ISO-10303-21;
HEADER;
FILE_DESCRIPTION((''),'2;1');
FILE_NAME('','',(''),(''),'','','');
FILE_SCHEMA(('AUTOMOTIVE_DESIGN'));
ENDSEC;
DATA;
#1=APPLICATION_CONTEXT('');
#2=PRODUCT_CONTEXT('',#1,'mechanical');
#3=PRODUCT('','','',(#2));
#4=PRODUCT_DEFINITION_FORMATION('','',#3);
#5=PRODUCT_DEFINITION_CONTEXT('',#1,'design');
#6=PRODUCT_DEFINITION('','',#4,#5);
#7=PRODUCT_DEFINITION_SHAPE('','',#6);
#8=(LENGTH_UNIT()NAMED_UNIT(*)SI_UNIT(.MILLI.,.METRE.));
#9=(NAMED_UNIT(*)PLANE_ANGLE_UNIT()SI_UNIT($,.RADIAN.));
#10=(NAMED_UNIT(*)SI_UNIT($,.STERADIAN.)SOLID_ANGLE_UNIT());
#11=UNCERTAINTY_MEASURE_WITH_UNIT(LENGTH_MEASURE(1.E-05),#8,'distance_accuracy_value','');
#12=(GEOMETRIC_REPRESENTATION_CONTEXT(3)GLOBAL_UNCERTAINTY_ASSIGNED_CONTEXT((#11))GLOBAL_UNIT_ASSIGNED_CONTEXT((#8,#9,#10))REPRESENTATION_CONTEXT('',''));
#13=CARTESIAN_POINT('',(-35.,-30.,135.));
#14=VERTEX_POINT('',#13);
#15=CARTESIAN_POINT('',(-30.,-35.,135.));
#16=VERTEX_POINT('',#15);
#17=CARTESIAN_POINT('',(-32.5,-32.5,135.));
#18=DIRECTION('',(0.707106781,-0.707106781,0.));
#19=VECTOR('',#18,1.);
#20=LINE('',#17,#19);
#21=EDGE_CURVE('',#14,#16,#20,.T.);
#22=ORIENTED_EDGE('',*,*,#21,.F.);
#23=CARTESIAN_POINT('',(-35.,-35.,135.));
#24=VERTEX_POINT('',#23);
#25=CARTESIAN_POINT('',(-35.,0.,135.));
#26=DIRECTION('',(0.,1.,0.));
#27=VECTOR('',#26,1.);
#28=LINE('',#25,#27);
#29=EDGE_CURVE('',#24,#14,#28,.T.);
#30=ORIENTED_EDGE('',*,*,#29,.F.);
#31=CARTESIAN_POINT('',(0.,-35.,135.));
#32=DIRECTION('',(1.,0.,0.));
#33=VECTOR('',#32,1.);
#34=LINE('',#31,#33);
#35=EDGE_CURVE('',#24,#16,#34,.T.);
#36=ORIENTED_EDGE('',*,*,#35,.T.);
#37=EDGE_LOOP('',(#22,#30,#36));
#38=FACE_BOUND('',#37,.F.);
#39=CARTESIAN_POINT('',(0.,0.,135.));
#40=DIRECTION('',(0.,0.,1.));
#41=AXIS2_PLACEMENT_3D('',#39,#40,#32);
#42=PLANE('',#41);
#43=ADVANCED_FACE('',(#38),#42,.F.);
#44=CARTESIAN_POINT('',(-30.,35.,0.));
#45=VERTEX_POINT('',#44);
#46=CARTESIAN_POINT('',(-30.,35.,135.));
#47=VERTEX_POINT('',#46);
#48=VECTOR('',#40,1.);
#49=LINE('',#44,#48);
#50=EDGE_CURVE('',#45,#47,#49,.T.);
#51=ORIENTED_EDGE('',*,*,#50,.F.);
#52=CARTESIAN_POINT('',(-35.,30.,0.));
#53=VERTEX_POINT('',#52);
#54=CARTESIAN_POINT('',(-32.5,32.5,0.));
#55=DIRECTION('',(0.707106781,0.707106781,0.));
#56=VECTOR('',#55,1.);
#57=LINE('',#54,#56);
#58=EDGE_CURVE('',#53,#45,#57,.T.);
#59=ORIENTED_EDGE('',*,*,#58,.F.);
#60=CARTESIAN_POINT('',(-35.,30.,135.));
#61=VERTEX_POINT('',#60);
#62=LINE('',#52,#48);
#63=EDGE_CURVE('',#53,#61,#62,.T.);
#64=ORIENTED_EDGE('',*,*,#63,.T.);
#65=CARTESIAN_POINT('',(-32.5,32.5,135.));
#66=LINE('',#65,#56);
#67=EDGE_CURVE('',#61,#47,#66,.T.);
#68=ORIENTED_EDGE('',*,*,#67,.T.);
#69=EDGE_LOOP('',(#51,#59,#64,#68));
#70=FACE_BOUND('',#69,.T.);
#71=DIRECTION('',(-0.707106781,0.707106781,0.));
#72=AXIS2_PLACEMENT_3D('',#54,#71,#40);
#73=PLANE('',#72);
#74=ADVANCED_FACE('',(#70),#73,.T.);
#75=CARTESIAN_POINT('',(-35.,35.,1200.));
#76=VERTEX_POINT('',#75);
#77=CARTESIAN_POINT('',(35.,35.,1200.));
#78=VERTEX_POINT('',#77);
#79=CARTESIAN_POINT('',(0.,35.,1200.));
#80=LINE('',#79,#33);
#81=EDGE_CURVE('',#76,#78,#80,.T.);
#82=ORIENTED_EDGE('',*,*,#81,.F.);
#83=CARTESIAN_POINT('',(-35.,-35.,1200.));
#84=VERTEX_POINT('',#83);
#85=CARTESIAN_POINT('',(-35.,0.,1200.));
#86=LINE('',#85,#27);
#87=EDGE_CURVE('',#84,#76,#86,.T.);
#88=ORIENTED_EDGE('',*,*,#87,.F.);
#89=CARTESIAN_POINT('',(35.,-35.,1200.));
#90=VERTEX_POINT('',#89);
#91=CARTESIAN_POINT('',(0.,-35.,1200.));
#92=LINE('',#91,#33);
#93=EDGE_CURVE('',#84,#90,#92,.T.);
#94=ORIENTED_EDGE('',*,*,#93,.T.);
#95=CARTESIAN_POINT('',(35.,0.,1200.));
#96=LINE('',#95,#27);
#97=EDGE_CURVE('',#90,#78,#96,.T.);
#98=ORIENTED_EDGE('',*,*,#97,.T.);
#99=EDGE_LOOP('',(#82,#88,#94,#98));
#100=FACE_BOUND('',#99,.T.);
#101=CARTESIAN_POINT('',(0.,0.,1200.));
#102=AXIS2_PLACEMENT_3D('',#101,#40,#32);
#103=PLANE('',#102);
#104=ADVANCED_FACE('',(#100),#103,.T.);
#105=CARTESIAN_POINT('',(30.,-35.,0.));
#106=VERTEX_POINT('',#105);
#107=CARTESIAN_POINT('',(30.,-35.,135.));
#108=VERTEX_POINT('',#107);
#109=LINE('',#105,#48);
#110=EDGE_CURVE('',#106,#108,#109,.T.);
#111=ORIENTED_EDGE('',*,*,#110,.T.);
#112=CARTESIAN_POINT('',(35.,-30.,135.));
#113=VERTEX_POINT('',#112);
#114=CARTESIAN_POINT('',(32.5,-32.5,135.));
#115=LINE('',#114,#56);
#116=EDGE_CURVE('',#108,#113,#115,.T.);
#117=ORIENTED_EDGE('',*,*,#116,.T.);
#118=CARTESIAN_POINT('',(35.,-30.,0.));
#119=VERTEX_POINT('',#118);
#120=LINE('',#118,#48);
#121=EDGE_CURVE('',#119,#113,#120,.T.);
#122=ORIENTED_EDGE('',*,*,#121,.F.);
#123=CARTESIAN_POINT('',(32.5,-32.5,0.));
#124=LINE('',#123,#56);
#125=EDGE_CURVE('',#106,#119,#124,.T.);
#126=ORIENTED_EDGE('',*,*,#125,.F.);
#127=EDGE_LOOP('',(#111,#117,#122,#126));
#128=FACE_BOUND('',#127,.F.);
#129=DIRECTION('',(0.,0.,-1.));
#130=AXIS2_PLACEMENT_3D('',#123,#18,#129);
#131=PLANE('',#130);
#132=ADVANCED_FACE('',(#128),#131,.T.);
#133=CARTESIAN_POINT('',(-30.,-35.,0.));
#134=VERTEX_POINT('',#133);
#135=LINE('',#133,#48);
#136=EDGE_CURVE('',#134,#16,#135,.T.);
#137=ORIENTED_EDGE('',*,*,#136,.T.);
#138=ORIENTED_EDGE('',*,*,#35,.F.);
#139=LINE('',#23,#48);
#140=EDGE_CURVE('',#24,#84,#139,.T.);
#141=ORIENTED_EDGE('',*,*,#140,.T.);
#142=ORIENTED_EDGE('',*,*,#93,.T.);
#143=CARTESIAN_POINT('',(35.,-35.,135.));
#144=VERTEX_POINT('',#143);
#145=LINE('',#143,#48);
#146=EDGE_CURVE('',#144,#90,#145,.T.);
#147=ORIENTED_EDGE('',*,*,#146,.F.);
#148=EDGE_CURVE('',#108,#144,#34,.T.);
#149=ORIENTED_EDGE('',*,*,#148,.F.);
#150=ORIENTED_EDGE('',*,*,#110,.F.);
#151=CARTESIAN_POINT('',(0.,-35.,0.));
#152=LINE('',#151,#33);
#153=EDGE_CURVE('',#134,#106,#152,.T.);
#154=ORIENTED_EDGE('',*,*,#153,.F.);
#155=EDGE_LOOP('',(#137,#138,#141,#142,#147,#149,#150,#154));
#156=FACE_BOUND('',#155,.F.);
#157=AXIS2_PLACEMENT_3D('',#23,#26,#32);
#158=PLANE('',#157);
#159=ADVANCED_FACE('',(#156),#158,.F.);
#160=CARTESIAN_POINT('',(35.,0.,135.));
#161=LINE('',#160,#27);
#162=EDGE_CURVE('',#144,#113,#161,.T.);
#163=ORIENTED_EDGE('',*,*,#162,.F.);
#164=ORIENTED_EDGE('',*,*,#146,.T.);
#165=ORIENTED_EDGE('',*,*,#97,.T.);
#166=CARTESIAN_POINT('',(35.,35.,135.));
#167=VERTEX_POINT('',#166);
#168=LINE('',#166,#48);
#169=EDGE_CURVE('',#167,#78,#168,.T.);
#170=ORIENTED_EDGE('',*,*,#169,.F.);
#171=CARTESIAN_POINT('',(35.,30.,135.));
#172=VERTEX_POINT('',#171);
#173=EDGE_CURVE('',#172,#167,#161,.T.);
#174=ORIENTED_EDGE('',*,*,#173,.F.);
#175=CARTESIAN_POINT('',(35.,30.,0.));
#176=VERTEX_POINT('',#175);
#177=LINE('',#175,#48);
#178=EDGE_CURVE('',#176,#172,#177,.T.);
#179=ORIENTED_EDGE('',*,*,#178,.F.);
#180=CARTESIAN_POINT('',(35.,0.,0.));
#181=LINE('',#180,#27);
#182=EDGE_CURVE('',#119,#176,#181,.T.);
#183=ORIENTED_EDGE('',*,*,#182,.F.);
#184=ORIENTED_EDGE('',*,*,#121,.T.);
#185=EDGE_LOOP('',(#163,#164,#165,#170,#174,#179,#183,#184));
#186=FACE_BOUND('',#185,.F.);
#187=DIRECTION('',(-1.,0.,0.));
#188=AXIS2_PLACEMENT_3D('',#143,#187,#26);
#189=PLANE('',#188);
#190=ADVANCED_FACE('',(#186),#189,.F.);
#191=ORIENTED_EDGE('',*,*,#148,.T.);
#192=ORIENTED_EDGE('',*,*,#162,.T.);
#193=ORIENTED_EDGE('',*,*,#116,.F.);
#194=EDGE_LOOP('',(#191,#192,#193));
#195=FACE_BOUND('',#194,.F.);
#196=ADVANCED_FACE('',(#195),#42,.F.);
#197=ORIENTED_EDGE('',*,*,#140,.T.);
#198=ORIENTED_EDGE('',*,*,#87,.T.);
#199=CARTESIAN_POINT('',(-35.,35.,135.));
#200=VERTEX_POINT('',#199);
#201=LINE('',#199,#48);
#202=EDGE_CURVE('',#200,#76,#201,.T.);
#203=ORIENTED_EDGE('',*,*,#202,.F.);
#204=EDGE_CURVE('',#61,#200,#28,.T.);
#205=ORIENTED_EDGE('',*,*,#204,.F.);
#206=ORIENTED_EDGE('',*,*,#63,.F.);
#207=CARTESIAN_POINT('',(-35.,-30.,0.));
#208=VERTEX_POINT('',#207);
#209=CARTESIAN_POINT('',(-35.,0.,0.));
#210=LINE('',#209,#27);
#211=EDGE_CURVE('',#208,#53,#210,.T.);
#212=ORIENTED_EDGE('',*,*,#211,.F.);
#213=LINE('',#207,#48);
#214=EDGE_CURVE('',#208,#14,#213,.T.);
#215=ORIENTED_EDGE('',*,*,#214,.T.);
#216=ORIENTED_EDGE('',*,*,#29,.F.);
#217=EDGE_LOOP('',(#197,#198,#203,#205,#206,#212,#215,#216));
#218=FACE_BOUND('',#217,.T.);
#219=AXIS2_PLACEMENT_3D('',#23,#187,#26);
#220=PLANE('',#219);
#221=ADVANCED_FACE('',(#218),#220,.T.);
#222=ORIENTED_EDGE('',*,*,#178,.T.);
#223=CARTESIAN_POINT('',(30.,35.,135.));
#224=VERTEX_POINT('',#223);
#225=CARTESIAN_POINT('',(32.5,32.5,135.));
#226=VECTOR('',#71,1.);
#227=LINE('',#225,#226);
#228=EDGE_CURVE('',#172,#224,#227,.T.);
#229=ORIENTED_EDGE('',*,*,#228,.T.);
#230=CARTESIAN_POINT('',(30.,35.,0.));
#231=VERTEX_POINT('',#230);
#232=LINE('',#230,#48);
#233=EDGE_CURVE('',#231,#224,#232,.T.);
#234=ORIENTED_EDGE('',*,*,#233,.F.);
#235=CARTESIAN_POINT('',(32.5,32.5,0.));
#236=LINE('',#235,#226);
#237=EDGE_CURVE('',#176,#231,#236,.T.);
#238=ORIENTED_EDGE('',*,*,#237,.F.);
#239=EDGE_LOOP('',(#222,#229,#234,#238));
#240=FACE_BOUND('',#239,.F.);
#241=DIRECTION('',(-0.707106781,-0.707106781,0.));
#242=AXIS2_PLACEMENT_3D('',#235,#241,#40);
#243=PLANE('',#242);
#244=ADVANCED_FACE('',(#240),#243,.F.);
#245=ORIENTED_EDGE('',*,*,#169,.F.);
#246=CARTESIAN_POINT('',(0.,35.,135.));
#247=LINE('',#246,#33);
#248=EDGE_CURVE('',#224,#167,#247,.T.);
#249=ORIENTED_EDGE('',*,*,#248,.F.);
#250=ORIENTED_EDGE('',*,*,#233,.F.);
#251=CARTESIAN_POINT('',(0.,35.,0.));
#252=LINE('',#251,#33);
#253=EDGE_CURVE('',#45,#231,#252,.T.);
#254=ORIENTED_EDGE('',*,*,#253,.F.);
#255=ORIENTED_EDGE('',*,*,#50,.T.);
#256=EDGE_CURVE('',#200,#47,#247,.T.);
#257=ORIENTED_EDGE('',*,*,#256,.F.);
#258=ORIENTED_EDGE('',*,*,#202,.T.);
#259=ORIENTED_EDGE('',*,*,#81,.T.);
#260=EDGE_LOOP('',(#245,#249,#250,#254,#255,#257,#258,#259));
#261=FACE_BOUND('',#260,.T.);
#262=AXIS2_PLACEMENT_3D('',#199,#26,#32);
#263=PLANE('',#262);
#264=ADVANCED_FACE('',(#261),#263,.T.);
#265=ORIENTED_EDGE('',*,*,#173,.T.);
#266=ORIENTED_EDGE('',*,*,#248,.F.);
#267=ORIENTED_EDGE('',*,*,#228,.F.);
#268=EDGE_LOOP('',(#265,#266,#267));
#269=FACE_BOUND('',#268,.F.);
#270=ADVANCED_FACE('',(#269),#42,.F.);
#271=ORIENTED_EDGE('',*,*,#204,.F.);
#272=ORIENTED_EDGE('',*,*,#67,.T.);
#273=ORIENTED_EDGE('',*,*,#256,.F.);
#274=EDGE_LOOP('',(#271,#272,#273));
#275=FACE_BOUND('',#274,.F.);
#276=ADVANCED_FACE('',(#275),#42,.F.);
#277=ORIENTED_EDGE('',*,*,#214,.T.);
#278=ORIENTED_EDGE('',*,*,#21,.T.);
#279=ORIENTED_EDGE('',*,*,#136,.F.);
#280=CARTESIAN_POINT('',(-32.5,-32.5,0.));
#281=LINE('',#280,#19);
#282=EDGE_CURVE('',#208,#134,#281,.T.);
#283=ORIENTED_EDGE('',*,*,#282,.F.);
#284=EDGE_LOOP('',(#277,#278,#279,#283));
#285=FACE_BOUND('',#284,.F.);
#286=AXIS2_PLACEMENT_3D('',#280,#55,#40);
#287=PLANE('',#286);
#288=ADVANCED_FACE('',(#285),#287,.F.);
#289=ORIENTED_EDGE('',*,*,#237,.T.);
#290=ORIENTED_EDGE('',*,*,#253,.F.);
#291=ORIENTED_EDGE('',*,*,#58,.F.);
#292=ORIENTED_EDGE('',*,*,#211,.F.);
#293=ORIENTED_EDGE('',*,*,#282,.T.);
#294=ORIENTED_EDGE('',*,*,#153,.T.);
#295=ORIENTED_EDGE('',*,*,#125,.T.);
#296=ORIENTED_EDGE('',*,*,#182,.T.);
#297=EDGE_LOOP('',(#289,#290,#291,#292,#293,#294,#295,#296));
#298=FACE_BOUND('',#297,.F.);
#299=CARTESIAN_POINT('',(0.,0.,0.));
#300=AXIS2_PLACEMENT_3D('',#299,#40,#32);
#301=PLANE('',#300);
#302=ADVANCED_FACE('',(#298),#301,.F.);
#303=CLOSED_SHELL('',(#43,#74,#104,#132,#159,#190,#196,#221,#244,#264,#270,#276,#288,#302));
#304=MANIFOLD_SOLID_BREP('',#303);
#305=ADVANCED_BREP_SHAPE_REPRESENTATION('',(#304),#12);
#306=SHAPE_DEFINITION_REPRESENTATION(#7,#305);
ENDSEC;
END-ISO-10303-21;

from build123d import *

# Parameters (mm, degrees)
F0_W     = 70
F0_H     = 70
F1_DEPTH = 135
F2_SIZE  = 5
F3_W     = 70
F3_H     = 70
F4_DEPTH = 1065


with BuildPart() as f1:
    # F0 (on Top) → F1 (new body)
    with BuildSketch(Plane.XY):
        Rectangle(F0_W, F0_H)
    extrude(amount=F1_DEPTH)

    # F2
    f2_edges = [f1.edges().sort_by_distance(p)[0] for p in [
        (35, -35, 67.5),
        (-35, -35, 67.5),
        (35, 35, 67.5),
        (-35, 35, 67.5),
    ]]
    chamfer(f2_edges, length=F2_SIZE)

    # F3 (on face) → F4 (join)
    with BuildSketch(Plane.XY.offset(135)):
        Rectangle(F3_W, F3_H)
    extrude(amount=F4_DEPTH)


solid = f1.part
